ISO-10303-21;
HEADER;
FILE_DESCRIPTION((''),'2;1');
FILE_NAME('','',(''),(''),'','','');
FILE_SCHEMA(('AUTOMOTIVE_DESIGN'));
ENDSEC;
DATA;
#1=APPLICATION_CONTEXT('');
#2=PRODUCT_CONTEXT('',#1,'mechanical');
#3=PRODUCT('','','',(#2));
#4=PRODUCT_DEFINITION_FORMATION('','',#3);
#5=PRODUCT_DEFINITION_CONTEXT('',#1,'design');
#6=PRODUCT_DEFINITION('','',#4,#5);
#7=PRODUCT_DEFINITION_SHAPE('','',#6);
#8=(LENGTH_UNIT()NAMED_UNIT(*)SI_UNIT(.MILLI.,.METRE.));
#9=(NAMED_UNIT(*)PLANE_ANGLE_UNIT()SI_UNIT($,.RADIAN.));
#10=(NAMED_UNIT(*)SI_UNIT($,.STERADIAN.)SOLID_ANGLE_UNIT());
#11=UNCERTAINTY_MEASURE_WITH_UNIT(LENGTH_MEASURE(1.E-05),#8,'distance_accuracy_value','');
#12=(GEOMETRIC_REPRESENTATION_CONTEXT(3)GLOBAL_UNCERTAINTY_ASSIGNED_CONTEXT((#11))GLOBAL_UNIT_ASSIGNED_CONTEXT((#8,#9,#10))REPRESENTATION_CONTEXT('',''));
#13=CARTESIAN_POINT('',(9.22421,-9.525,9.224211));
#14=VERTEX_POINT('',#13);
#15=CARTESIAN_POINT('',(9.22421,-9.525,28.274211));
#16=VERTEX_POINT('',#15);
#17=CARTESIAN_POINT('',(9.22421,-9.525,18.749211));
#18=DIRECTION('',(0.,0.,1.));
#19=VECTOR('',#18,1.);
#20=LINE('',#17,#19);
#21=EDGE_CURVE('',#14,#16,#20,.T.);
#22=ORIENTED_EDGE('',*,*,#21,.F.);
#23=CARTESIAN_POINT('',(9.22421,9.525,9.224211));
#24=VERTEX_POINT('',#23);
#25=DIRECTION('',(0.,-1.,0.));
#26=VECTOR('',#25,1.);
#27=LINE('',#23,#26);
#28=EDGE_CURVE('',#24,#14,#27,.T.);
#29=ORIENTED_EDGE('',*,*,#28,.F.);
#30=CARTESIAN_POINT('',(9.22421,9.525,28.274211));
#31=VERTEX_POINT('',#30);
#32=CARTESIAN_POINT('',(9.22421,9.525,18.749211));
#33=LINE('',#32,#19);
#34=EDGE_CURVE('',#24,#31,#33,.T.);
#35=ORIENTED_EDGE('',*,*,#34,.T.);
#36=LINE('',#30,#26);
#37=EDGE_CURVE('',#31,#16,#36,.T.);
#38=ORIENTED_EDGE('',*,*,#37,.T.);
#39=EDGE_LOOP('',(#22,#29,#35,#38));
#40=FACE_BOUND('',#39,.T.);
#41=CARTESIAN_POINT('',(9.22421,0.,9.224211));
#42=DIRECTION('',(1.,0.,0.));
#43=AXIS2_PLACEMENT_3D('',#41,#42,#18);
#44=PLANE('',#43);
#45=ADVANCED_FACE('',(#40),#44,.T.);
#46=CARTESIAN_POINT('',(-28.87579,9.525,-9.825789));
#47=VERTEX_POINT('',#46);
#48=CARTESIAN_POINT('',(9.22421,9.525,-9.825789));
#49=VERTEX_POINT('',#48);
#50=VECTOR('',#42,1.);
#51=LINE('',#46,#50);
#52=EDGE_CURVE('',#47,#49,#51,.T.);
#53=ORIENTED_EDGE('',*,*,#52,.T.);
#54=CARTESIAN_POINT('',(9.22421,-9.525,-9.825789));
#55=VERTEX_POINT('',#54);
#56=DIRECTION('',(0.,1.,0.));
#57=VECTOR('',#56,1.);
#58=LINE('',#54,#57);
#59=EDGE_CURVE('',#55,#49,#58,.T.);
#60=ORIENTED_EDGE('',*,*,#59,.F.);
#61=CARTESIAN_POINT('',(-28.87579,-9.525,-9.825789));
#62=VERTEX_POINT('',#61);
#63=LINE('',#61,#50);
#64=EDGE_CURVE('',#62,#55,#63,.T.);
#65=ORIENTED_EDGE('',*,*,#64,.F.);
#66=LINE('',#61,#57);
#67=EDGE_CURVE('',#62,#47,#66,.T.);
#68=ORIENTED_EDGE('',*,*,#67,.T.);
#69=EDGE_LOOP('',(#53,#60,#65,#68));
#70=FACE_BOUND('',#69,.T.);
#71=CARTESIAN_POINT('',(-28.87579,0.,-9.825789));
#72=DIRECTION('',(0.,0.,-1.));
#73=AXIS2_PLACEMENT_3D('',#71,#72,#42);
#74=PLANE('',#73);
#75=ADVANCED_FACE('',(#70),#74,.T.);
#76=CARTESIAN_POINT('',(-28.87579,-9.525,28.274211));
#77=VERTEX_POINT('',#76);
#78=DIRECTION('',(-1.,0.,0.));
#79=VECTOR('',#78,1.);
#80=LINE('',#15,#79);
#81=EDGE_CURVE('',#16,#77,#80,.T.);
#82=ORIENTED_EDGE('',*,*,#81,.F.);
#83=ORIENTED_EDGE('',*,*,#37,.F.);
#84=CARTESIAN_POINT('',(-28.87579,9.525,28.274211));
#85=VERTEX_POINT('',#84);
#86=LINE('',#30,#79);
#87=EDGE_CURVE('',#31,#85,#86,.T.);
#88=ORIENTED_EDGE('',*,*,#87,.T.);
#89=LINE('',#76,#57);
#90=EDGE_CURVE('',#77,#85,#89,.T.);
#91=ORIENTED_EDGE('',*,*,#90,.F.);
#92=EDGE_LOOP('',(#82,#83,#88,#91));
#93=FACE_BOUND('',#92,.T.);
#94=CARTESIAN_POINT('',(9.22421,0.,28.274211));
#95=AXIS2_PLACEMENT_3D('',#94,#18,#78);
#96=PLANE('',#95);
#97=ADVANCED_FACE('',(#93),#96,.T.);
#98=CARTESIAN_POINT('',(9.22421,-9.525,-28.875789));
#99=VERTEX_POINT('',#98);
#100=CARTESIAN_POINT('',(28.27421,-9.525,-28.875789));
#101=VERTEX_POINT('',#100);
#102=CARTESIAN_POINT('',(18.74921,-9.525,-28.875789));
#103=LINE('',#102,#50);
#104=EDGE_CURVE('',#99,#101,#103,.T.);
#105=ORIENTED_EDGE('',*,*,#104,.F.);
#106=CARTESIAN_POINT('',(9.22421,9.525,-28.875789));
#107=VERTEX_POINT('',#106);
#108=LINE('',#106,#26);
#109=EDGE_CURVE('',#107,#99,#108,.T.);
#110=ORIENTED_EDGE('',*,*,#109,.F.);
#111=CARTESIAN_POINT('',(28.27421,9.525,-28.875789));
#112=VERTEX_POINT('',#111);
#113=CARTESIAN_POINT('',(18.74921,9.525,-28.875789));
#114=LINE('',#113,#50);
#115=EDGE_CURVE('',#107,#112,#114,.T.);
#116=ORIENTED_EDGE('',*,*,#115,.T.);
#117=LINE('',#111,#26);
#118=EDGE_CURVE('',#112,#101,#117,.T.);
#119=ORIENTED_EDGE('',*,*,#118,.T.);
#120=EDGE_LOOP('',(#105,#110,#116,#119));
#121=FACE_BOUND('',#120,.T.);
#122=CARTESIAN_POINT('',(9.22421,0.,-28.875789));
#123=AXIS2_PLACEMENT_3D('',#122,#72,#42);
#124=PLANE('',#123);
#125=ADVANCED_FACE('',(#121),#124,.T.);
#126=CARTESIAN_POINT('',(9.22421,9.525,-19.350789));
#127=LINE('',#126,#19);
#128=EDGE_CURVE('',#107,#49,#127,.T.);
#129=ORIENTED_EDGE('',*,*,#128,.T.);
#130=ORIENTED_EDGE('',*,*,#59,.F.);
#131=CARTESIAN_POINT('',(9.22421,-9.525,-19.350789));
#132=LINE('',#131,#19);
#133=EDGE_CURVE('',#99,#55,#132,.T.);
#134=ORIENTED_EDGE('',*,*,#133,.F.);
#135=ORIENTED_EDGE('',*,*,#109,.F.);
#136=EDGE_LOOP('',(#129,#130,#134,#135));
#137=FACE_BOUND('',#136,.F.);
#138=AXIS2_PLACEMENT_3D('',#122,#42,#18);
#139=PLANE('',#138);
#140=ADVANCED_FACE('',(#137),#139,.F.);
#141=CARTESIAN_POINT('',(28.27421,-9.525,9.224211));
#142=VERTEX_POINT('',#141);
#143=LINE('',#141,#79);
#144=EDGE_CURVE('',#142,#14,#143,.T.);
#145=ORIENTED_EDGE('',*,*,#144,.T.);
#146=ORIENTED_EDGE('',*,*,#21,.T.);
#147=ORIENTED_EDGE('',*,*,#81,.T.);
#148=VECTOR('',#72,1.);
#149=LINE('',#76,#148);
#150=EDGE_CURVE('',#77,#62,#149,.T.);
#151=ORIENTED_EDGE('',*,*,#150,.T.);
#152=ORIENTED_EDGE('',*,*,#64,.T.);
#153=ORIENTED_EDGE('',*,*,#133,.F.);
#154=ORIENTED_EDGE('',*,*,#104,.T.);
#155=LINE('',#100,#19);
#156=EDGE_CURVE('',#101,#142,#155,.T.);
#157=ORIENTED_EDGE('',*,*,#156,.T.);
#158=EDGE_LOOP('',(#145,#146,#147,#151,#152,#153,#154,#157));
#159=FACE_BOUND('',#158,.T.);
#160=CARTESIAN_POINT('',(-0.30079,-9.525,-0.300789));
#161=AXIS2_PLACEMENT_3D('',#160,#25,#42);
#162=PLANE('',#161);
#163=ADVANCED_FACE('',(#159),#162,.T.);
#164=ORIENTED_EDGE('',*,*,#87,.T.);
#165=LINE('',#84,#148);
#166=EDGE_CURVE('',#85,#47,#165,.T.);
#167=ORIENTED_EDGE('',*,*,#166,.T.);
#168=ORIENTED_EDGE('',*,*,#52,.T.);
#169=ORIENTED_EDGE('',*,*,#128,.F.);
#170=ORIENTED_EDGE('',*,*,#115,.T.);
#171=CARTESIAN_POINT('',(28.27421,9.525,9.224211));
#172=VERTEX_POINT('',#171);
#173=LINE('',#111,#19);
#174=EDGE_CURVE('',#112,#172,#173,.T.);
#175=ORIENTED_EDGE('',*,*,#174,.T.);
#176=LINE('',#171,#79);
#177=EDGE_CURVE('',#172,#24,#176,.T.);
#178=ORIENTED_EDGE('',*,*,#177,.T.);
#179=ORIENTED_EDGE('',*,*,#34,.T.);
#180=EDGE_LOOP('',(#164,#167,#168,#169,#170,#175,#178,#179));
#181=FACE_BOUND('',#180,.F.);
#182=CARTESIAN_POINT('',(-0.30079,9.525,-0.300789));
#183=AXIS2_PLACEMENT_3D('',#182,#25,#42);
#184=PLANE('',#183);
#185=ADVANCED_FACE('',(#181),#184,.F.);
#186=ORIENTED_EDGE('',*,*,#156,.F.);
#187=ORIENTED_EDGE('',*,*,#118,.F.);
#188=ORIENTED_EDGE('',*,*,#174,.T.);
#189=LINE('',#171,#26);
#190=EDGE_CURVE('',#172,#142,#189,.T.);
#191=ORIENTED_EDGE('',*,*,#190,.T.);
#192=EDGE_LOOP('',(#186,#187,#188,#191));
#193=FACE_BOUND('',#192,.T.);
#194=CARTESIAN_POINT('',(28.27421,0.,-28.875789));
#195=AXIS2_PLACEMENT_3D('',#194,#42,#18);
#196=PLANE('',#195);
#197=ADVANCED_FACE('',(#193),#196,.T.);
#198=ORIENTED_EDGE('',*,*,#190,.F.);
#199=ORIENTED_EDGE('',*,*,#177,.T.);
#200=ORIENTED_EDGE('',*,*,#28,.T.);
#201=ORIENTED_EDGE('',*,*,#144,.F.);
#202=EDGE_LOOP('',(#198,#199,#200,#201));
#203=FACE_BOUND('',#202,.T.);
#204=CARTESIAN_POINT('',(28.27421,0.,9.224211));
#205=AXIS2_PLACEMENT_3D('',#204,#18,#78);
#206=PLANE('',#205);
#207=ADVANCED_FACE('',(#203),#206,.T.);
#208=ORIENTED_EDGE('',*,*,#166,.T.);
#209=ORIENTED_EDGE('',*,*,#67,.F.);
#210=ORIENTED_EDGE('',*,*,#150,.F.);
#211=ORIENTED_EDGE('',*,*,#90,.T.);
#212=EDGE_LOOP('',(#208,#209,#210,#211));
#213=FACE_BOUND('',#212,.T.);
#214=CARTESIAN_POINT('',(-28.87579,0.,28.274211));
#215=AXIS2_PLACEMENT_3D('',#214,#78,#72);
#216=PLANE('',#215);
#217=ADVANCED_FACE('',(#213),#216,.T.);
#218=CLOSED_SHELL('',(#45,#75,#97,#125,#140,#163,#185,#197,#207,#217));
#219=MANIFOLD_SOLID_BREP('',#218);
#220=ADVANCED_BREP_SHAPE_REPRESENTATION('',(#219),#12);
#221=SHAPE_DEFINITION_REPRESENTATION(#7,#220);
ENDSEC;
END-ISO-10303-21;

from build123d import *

# Parameters (mm, degrees)
F0_W     = 19.05
F0_H     = 19.05
F1_DEPTH = 9.525


with BuildPart() as f1:
    # F0 (on Front) → F1 (new body, symmetric)
    with BuildSketch(Plane.XZ):
        with Locations((-0.30079, -0.300789)):
            Rectangle(F0_W, F0_H)
        with Locations((18.74921, -0.300789)):
            Rectangle(F0_W, F0_H)
        with Locations((18.74921, -19.350789)):
            Rectangle(F0_W, F0_H)
        with Locations((-19.35079, -0.300789)):
            Rectangle(F0_W, F0_H)
        with Locations((-0.30079, 18.749211)):
            Rectangle(F0_W, F0_H)
        with Locations((-19.35079, 18.749211)):
            Rectangle(F0_W, F0_H)
    extrude(amount=F1_DEPTH, both=True)


solid = f1.part
